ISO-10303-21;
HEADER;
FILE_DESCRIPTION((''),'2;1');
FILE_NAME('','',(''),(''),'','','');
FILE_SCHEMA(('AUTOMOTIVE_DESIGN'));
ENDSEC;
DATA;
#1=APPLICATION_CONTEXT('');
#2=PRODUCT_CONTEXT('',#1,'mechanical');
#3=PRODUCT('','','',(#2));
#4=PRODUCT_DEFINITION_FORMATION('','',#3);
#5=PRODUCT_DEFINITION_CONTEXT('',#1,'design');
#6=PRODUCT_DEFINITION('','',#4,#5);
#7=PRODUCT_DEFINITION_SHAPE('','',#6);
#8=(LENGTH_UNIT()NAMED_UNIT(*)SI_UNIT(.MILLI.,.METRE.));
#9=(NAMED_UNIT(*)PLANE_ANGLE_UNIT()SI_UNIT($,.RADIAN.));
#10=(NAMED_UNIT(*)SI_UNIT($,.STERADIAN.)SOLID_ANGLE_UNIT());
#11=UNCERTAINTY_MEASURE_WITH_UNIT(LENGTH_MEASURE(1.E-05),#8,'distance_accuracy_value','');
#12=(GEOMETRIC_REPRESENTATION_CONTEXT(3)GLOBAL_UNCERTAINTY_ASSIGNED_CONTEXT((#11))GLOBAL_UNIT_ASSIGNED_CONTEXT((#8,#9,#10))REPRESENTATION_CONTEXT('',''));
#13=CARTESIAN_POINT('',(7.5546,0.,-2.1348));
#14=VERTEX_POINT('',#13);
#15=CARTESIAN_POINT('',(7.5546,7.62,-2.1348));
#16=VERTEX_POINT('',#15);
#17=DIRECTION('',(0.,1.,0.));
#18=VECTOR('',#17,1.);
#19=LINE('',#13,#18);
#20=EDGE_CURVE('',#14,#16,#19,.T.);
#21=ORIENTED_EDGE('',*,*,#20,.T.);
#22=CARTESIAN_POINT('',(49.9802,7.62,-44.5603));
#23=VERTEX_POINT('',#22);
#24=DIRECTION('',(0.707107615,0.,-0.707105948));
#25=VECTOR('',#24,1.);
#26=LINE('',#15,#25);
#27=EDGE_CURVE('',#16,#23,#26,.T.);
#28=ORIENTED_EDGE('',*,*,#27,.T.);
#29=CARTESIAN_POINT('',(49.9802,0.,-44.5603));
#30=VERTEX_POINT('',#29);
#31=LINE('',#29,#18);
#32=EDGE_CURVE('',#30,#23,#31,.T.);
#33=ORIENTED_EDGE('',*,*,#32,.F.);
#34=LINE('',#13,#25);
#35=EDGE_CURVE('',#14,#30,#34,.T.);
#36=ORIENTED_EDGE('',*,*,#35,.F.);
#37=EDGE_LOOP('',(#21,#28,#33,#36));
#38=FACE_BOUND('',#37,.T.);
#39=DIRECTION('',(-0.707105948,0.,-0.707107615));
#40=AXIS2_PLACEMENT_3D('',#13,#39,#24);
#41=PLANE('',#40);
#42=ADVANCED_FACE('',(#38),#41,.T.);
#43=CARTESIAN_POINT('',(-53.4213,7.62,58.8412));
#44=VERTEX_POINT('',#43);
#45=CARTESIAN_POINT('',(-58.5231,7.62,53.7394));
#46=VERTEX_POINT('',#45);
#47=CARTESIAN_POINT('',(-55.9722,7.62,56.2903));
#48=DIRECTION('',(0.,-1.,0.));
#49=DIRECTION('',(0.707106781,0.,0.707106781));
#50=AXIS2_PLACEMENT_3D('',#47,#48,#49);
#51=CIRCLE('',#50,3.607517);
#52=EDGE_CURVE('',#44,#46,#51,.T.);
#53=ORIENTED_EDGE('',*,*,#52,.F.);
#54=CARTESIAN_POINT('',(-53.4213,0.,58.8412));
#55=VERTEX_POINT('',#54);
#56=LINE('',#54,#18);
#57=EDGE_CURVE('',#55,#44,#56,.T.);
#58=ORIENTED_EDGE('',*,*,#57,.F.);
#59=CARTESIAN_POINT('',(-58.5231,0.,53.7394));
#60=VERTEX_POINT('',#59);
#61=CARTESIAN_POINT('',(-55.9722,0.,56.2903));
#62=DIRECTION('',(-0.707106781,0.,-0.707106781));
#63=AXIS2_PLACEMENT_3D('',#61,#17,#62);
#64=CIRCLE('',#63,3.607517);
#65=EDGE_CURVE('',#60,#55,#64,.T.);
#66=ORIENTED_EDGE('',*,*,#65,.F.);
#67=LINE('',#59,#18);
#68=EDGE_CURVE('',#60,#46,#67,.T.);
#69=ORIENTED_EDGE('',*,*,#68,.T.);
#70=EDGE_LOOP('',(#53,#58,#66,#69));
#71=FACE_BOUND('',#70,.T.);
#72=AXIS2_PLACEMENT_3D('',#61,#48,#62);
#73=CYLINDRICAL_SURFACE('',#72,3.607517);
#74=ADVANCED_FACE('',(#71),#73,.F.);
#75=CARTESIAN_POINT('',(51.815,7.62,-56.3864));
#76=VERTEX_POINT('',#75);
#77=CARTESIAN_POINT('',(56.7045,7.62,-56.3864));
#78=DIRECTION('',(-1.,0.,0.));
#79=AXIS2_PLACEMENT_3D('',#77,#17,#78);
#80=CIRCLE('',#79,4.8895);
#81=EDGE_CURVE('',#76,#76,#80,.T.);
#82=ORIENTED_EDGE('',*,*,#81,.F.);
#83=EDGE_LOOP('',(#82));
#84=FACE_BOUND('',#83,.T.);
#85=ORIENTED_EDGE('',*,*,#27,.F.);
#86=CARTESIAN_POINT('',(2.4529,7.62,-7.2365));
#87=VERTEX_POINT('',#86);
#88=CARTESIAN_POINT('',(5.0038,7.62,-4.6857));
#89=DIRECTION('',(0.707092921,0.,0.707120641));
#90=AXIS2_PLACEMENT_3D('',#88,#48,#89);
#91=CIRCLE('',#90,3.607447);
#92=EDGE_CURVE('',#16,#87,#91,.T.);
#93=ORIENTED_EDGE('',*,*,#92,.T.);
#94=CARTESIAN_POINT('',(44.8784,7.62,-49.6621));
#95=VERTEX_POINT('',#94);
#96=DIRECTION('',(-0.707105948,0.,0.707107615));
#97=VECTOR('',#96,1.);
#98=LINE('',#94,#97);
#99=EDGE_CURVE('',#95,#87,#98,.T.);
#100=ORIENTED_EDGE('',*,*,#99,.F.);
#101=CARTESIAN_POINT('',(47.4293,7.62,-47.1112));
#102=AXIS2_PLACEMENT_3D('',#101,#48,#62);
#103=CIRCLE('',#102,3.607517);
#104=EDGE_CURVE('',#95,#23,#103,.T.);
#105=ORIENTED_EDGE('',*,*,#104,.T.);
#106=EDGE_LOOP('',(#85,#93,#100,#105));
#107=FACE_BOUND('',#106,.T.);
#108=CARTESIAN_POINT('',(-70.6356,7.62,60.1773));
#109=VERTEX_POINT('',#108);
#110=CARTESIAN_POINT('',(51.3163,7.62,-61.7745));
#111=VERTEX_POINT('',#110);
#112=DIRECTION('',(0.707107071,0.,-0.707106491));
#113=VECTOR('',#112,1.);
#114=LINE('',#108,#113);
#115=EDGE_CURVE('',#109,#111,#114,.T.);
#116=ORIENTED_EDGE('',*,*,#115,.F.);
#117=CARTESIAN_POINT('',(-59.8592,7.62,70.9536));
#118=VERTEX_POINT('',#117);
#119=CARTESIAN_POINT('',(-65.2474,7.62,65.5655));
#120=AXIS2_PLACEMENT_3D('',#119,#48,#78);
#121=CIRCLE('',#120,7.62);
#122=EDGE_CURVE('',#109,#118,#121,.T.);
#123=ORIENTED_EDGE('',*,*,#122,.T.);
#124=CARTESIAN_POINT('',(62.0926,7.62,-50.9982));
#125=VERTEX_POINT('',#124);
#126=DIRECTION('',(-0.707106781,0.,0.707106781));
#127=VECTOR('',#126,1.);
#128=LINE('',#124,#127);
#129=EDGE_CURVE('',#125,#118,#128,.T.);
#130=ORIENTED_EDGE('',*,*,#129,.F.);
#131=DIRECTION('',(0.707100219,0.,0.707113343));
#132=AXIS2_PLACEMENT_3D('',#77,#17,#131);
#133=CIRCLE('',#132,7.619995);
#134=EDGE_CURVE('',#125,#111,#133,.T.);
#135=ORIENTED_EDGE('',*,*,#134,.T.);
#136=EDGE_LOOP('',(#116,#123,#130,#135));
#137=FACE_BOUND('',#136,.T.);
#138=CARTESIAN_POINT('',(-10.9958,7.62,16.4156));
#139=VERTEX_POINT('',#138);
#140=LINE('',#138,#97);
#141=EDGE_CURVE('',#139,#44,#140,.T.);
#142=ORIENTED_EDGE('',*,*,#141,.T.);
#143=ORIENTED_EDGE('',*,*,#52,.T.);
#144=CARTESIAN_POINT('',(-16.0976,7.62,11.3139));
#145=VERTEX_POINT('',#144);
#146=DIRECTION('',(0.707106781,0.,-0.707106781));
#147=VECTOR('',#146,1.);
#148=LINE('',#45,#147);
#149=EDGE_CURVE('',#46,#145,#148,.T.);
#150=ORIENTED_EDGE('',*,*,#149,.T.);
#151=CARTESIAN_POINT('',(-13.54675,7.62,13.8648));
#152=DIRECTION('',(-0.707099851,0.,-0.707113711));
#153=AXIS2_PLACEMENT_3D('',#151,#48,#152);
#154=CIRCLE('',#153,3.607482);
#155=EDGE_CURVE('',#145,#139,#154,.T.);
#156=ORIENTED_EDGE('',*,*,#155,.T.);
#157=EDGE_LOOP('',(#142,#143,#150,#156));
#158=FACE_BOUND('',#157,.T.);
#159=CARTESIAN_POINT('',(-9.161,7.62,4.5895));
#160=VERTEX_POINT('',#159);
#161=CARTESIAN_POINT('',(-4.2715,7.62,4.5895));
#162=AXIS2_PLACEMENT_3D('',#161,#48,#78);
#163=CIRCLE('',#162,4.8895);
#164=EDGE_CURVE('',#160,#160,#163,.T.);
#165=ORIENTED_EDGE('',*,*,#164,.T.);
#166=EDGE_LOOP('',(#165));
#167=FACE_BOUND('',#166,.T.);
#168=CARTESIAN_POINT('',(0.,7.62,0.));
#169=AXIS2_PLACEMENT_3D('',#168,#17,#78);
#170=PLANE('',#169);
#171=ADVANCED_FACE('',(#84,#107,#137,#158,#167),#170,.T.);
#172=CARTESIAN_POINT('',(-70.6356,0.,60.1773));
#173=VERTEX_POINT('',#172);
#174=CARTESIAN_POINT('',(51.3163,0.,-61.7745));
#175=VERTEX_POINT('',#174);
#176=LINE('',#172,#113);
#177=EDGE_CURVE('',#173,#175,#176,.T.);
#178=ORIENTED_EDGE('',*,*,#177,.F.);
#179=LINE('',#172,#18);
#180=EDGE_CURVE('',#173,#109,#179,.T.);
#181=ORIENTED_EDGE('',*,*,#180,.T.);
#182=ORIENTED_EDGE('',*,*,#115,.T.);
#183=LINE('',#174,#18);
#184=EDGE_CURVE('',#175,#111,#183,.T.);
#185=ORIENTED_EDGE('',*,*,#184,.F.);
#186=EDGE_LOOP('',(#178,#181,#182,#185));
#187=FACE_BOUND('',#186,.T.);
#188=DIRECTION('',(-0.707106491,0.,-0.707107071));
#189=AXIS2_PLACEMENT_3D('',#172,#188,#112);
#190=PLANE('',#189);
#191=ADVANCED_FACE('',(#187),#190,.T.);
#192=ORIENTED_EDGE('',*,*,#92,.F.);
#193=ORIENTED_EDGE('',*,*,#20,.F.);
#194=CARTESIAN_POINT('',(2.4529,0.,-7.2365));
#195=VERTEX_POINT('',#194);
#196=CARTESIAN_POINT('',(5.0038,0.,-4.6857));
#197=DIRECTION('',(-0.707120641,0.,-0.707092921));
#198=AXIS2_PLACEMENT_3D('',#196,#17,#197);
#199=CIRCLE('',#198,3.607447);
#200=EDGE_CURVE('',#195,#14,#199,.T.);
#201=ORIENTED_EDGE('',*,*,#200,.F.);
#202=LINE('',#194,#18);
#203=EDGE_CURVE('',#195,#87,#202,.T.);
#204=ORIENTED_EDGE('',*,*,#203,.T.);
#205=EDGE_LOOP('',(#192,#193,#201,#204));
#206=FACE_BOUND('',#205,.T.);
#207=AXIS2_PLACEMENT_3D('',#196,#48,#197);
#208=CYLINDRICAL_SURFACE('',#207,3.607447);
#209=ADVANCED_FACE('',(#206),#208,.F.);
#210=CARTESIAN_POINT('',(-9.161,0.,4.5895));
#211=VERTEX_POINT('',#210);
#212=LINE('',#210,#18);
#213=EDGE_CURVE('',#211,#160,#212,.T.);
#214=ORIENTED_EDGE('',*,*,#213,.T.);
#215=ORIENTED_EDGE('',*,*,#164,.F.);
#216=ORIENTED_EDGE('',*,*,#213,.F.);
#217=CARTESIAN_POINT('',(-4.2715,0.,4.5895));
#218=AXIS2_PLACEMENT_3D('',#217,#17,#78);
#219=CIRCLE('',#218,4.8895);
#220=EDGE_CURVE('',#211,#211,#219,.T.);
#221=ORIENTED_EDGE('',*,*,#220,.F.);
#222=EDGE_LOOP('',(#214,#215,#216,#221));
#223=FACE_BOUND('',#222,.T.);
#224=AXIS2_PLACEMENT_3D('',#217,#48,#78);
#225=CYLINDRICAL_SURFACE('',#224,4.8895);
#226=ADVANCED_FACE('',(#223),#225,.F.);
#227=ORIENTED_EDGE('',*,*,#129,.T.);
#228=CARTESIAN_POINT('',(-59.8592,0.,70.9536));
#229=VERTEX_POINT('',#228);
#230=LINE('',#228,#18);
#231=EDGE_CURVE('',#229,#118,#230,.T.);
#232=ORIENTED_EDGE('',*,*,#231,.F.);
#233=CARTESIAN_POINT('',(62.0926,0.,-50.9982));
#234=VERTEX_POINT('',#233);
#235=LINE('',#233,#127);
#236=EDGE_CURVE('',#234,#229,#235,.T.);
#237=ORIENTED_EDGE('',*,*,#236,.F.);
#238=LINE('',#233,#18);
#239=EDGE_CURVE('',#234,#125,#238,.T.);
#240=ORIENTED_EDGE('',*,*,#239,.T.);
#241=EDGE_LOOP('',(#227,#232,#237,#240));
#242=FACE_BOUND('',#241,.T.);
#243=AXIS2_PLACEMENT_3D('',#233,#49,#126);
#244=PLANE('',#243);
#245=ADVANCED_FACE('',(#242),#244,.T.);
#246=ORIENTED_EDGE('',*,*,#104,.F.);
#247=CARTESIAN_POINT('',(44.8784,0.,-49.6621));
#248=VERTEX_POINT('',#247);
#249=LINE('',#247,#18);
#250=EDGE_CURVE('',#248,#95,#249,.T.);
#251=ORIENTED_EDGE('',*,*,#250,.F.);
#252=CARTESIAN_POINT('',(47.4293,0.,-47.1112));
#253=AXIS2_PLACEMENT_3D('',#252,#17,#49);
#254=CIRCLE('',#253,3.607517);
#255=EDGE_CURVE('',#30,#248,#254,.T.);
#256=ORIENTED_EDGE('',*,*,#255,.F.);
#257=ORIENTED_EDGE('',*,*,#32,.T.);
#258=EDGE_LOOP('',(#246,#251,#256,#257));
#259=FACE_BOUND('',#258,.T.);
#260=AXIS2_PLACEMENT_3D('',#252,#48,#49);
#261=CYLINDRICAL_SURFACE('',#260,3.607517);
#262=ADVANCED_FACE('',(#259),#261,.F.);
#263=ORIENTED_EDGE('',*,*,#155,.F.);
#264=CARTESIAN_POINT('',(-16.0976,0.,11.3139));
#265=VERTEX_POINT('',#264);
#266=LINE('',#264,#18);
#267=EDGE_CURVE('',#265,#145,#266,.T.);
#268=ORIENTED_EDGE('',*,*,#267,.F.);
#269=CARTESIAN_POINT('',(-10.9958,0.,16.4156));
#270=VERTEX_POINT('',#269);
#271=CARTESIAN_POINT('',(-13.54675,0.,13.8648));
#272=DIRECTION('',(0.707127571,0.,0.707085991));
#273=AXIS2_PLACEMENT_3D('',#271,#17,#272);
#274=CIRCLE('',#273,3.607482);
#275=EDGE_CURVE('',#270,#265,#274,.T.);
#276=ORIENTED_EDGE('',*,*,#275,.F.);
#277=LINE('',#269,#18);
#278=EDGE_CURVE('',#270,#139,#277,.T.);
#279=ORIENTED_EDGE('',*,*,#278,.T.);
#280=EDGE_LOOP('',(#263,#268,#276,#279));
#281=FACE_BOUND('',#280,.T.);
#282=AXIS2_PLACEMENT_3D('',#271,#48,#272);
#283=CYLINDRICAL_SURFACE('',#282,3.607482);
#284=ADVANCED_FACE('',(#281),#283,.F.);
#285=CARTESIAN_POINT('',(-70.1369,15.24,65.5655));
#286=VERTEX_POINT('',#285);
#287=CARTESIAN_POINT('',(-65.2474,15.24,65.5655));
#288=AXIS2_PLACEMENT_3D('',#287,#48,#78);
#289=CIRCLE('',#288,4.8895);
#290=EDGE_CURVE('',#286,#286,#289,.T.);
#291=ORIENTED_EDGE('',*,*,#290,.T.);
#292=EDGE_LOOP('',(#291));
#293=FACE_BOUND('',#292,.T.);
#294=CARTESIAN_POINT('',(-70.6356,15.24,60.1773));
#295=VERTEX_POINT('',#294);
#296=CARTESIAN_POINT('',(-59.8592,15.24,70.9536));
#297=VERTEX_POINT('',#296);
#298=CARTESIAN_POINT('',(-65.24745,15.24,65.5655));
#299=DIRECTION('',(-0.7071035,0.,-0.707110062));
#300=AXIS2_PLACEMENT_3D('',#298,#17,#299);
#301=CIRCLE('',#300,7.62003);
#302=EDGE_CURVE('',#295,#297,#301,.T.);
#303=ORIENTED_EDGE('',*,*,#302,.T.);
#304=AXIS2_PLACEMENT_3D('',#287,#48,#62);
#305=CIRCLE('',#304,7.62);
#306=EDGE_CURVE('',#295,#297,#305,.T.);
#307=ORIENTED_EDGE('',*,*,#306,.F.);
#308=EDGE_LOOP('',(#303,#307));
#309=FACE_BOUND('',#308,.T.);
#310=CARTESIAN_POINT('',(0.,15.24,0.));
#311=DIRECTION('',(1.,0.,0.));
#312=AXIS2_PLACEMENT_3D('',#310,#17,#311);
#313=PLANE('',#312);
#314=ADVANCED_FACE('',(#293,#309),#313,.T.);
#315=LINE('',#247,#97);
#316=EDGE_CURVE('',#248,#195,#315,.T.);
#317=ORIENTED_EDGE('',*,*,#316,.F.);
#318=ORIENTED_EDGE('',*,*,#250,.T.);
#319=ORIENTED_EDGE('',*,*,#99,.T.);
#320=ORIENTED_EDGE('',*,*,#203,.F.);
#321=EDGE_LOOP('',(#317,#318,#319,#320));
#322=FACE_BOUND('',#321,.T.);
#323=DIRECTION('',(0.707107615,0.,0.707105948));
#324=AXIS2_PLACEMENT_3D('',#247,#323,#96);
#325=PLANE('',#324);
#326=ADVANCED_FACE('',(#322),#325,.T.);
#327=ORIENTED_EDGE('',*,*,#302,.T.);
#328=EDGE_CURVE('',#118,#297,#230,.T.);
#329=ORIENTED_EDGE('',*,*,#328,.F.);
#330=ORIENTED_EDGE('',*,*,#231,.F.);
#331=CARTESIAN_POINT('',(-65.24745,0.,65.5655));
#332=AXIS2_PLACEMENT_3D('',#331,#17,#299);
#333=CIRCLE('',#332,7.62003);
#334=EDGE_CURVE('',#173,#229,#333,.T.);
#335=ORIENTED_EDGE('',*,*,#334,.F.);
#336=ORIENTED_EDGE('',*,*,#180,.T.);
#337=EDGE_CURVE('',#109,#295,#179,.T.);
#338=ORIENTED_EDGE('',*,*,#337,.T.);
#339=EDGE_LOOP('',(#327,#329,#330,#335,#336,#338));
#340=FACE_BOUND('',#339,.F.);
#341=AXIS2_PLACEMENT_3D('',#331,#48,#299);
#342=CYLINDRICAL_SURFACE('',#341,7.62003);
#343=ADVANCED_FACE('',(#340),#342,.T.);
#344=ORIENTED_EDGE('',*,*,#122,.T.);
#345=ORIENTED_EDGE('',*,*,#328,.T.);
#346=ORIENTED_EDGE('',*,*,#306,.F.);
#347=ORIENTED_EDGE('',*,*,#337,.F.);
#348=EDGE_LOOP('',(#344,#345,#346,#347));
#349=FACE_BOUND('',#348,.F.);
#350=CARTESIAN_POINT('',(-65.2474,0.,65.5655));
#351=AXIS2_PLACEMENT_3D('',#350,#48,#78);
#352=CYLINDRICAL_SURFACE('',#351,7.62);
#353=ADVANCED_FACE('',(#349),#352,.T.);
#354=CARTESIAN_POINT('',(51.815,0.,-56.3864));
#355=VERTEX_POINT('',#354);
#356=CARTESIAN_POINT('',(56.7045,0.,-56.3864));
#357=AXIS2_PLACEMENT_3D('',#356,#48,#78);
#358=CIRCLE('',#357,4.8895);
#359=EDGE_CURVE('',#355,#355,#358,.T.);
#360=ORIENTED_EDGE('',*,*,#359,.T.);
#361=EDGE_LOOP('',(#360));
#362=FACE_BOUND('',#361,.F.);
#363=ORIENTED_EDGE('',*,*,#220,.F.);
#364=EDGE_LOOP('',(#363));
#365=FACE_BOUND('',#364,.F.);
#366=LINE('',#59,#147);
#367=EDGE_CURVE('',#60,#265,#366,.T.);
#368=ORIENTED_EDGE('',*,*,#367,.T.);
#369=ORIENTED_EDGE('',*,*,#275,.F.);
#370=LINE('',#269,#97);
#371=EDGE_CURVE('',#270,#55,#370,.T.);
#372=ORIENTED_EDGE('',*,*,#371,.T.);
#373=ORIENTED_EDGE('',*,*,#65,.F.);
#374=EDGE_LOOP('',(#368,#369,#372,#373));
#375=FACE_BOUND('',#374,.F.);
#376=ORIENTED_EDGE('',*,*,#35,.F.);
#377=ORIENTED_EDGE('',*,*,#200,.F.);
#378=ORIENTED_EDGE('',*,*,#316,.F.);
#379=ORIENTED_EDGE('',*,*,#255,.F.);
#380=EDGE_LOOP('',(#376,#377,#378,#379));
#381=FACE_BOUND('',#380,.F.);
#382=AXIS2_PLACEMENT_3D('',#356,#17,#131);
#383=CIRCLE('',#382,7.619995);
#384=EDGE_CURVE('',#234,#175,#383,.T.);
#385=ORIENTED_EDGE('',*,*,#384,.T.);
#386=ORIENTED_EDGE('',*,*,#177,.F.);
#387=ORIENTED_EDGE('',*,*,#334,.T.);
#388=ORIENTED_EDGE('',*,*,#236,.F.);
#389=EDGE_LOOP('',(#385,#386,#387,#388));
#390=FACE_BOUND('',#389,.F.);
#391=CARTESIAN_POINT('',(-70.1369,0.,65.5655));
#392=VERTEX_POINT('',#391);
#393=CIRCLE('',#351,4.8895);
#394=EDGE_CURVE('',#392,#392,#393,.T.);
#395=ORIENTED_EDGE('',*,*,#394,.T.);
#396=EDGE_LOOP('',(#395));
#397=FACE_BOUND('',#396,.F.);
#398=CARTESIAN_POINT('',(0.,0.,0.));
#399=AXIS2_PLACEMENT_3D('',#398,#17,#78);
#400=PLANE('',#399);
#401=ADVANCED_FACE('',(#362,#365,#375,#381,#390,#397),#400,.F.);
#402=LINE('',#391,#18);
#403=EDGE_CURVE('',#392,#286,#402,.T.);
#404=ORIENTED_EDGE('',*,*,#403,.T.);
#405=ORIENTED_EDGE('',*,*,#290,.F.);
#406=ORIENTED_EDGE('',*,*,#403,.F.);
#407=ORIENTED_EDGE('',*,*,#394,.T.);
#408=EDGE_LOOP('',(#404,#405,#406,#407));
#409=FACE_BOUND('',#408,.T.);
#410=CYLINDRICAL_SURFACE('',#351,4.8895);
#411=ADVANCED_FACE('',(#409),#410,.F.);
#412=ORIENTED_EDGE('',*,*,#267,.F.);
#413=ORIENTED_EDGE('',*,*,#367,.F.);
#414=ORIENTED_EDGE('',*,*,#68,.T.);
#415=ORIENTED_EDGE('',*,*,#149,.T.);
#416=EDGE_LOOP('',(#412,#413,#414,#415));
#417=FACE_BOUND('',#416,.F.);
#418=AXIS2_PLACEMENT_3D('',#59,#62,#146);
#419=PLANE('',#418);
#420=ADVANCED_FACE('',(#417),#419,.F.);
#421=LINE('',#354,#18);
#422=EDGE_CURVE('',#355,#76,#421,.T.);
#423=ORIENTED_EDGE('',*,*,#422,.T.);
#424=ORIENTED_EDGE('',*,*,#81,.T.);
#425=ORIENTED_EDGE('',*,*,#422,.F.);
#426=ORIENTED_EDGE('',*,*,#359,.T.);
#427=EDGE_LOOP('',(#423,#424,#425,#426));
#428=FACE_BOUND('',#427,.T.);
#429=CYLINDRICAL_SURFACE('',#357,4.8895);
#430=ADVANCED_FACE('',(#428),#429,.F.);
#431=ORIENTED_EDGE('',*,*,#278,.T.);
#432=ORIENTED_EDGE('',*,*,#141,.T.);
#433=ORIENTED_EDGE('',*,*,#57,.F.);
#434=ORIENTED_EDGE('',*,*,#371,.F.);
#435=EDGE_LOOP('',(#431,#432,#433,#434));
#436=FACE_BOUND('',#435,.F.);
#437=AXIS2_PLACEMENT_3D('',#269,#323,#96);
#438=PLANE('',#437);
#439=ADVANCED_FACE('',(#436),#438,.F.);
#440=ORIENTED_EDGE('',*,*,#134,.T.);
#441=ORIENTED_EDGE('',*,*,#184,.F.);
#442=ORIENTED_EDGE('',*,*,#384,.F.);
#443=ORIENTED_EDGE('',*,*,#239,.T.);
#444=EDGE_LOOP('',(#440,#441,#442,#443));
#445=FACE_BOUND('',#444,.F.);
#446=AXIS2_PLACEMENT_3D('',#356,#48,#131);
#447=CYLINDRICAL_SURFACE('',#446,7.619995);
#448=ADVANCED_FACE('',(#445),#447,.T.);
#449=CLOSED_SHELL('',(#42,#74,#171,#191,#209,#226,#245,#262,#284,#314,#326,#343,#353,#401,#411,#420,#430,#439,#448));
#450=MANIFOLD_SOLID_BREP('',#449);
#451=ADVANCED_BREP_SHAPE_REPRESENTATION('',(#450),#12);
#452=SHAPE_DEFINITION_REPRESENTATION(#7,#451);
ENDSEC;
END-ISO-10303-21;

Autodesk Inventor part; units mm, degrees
ref_plane "YZ Plane" through (0, 0, 0) normal (1, 0, 0) x (0, 1, 0)
ref_plane "XZ Plane" through (0, 0, 0) normal (0, 1, 0) x (-1, 0, 0)
ref_plane "XY Plane" through (0, 0, 0) normal (0, 0, 1) x (1, 0, 0)
sketch "Sketch1" plane through (0, 0, 0) normal (0, 1, 0) x (-1, 0, 0)
  circle A0 centre (-56.7045, -56.3864) radius 4.8895
  circle A1 centre (-56.7045, -56.3864) radius 4.8895
  line L0 (-52.2143, -60.8765) -> (69.7375, 61.0754)
  line L1 (60.7573, 70.0556) -> (-61.1946, -51.8963)
  arc A2 (-61.1946, -51.8963) -> (-52.2143, -60.8765) centre (-56.7045, -56.3864) ccw
  arc A3 (69.7375, 61.0754) -> (60.7573, 70.0556) centre (65.2474, 65.5655) ccw
  circle A4 centre (4.2715, 4.5895) radius 4.8895
  circle A5 centre (65.2474, 65.5655) radius 4.8895
  line L2 (7.7289, 8.0469) -> (61.79, 62.1081)
  line L3 (68.7048, 69.0229) -> (69.7375, 70.0556)
  line L4 (-53.2471, -52.929) -> (0.8141, 1.1322) construction
  line L5 (7.7289, 8.0469) -> (61.79, 62.1081) construction
  line L6 (0.8141, 1.1322) -> (-53.2471, -52.929)
  line L7 (-60.1619, -59.8438) -> (-61.1946, -60.8765)
  line L8 (-5.0037, -4.6857) -> (-47.4293, -47.1112) construction
  line L9 (-7.5546, -2.1348) -> (-49.9802, -44.5603)
  line L10 (-44.8784, -49.6621) -> (-2.4529, -7.2365)
  arc A6 (-2.4529, -7.2365) -> (-7.5546, -2.1348) centre (-5.0037, -4.6857) ccw
  arc A7 (-49.9802, -44.5603) -> (-44.8784, -49.6621) centre (-47.4293, -47.1112) ccw
  line L11 (4.2715, 4.5895) -> (-0.2187, 9.0797)
  arc A8 (10.9958, 16.4156) -> (16.0976, 11.3139) centre (13.5467, 13.8648) ccw
  line L12 (10.9958, 16.4156) -> (53.4213, 58.8412)
  line L13 (58.5231, 53.7394) -> (16.0976, 11.3139)
  arc A9 (58.5231, 53.7394) -> (53.4213, 58.8412) centre (55.9722, 56.2903) ccw
  line L14 (70.6356, 60.1773) -> (-51.3163, -61.7745)
  arc A10 (-62.0926, -50.9982) -> (-51.3163, -61.7745) centre (-56.7045, -56.3864) ccw
  line L15 (-62.0926, -50.9982) -> (59.8592, 70.9536)
  arc A11 (70.6356, 60.1773) -> (59.8592, 70.9536) centre (65.2474, 65.5655) ccw
  circle A12 centre (65.2474, 65.5655) radius 7.62
  point P0 (0, 0)
  point P1 (29.6663, 4.6577)
  point P2 (-26.2165, -25.8984)
  dimension "d0" = 172.466
  dimension "d1" = 12.7
  dimension "d2" = 9.779
  dimension "d3" = 9.779
  dimension "d4" = 9.779
  dimension "d9" = 1.27
extrude "Extrusion1" add sketch "Sketch1" along normal blind 7.62 contours A0 L6 A7 L10 A6 A4 L2 A8 L13 A9 A12 L0 A2 L7 | A0 L7 A2 L1 L11 A4 L6 A6 L9 A7 | L1 A12 L2 A9 L12 A8 A4 L11 | A12 L2 A5 L3 A3 L0 | L1 A3 L3 A5 L2 A12
sketch "Sketch2" plane through (0, 7.62, 0) normal (0, 1, 0) x (1, 0, 0)
  line L0 (-60.7573, -70.0556) -> (61.1946, 51.8963) projected
  arc A0 (61.1946, 51.8963) -> (52.2143, 60.8765) centre (56.7045, 56.3864) ccw projected
  line L1 (52.2143, 60.8765) -> (-69.7375, -61.0754) projected
  arc A1 (-69.7375, -61.0754) -> (-60.7573, -70.0556) centre (-65.2474, -65.5655) ccw projected
  arc A2 (-58.5231, -53.7394) -> (-53.4213, -58.8412) centre (-55.9722, -56.2903) ccw projected
  line L2 (-58.5231, -53.7394) -> (-16.0976, -11.3139) projected
  arc A3 (-10.9958, -16.4156) -> (-16.0976, -11.3139) centre (-13.5467, -13.8648) ccw projected
  line L3 (-10.9958, -16.4156) -> (-53.4213, -58.8412) projected
  circle A4 centre (-65.2474, -65.5655) radius 4.8895 projected
  circle A5 centre (-4.2715, -4.5895) radius 4.8895 projected
  circle A6 centre (56.7045, 56.3864) radius 4.8895 projected
  arc A7 (49.9802, 44.5603) -> (44.8784, 49.6621) centre (47.4293, 47.1112) ccw projected
  line L4 (49.9802, 44.5603) -> (7.5546, 2.1348) projected
  arc A8 (2.4529, 7.2365) -> (7.5546, 2.1348) centre (5.0037, 4.6857) ccw projected
  line L5 (2.4529, 7.2365) -> (44.8784, 49.6621) projected
  circle A9 centre (-65.2474, -65.5655) radius 6.35
  point P0 (0, 0)
extrude "Extrusion2" add sketch "Sketch2" along normal blind 7.62 contours A1 A9
extrude "Extrusion3" add sketch "Sketch1" along normal blind 7.62 contours A2 L0 A12 L14 A10 L15 L1 | L0 A3 L1 A12 A11
extrude "Extrusion4" add sketch "Sketch1" along normal up to surface (15.24 mm away) contours A12 L2 A5 L3 A3 L0 | L0 A3 L1 A12 A11 | L1 A3 L3 A5 L2 A12 | A5
extrude "Extrusion5" cut sketch "Sketch1" along normal blind 25.4 contours A5
properties part number "Bump Arm"
